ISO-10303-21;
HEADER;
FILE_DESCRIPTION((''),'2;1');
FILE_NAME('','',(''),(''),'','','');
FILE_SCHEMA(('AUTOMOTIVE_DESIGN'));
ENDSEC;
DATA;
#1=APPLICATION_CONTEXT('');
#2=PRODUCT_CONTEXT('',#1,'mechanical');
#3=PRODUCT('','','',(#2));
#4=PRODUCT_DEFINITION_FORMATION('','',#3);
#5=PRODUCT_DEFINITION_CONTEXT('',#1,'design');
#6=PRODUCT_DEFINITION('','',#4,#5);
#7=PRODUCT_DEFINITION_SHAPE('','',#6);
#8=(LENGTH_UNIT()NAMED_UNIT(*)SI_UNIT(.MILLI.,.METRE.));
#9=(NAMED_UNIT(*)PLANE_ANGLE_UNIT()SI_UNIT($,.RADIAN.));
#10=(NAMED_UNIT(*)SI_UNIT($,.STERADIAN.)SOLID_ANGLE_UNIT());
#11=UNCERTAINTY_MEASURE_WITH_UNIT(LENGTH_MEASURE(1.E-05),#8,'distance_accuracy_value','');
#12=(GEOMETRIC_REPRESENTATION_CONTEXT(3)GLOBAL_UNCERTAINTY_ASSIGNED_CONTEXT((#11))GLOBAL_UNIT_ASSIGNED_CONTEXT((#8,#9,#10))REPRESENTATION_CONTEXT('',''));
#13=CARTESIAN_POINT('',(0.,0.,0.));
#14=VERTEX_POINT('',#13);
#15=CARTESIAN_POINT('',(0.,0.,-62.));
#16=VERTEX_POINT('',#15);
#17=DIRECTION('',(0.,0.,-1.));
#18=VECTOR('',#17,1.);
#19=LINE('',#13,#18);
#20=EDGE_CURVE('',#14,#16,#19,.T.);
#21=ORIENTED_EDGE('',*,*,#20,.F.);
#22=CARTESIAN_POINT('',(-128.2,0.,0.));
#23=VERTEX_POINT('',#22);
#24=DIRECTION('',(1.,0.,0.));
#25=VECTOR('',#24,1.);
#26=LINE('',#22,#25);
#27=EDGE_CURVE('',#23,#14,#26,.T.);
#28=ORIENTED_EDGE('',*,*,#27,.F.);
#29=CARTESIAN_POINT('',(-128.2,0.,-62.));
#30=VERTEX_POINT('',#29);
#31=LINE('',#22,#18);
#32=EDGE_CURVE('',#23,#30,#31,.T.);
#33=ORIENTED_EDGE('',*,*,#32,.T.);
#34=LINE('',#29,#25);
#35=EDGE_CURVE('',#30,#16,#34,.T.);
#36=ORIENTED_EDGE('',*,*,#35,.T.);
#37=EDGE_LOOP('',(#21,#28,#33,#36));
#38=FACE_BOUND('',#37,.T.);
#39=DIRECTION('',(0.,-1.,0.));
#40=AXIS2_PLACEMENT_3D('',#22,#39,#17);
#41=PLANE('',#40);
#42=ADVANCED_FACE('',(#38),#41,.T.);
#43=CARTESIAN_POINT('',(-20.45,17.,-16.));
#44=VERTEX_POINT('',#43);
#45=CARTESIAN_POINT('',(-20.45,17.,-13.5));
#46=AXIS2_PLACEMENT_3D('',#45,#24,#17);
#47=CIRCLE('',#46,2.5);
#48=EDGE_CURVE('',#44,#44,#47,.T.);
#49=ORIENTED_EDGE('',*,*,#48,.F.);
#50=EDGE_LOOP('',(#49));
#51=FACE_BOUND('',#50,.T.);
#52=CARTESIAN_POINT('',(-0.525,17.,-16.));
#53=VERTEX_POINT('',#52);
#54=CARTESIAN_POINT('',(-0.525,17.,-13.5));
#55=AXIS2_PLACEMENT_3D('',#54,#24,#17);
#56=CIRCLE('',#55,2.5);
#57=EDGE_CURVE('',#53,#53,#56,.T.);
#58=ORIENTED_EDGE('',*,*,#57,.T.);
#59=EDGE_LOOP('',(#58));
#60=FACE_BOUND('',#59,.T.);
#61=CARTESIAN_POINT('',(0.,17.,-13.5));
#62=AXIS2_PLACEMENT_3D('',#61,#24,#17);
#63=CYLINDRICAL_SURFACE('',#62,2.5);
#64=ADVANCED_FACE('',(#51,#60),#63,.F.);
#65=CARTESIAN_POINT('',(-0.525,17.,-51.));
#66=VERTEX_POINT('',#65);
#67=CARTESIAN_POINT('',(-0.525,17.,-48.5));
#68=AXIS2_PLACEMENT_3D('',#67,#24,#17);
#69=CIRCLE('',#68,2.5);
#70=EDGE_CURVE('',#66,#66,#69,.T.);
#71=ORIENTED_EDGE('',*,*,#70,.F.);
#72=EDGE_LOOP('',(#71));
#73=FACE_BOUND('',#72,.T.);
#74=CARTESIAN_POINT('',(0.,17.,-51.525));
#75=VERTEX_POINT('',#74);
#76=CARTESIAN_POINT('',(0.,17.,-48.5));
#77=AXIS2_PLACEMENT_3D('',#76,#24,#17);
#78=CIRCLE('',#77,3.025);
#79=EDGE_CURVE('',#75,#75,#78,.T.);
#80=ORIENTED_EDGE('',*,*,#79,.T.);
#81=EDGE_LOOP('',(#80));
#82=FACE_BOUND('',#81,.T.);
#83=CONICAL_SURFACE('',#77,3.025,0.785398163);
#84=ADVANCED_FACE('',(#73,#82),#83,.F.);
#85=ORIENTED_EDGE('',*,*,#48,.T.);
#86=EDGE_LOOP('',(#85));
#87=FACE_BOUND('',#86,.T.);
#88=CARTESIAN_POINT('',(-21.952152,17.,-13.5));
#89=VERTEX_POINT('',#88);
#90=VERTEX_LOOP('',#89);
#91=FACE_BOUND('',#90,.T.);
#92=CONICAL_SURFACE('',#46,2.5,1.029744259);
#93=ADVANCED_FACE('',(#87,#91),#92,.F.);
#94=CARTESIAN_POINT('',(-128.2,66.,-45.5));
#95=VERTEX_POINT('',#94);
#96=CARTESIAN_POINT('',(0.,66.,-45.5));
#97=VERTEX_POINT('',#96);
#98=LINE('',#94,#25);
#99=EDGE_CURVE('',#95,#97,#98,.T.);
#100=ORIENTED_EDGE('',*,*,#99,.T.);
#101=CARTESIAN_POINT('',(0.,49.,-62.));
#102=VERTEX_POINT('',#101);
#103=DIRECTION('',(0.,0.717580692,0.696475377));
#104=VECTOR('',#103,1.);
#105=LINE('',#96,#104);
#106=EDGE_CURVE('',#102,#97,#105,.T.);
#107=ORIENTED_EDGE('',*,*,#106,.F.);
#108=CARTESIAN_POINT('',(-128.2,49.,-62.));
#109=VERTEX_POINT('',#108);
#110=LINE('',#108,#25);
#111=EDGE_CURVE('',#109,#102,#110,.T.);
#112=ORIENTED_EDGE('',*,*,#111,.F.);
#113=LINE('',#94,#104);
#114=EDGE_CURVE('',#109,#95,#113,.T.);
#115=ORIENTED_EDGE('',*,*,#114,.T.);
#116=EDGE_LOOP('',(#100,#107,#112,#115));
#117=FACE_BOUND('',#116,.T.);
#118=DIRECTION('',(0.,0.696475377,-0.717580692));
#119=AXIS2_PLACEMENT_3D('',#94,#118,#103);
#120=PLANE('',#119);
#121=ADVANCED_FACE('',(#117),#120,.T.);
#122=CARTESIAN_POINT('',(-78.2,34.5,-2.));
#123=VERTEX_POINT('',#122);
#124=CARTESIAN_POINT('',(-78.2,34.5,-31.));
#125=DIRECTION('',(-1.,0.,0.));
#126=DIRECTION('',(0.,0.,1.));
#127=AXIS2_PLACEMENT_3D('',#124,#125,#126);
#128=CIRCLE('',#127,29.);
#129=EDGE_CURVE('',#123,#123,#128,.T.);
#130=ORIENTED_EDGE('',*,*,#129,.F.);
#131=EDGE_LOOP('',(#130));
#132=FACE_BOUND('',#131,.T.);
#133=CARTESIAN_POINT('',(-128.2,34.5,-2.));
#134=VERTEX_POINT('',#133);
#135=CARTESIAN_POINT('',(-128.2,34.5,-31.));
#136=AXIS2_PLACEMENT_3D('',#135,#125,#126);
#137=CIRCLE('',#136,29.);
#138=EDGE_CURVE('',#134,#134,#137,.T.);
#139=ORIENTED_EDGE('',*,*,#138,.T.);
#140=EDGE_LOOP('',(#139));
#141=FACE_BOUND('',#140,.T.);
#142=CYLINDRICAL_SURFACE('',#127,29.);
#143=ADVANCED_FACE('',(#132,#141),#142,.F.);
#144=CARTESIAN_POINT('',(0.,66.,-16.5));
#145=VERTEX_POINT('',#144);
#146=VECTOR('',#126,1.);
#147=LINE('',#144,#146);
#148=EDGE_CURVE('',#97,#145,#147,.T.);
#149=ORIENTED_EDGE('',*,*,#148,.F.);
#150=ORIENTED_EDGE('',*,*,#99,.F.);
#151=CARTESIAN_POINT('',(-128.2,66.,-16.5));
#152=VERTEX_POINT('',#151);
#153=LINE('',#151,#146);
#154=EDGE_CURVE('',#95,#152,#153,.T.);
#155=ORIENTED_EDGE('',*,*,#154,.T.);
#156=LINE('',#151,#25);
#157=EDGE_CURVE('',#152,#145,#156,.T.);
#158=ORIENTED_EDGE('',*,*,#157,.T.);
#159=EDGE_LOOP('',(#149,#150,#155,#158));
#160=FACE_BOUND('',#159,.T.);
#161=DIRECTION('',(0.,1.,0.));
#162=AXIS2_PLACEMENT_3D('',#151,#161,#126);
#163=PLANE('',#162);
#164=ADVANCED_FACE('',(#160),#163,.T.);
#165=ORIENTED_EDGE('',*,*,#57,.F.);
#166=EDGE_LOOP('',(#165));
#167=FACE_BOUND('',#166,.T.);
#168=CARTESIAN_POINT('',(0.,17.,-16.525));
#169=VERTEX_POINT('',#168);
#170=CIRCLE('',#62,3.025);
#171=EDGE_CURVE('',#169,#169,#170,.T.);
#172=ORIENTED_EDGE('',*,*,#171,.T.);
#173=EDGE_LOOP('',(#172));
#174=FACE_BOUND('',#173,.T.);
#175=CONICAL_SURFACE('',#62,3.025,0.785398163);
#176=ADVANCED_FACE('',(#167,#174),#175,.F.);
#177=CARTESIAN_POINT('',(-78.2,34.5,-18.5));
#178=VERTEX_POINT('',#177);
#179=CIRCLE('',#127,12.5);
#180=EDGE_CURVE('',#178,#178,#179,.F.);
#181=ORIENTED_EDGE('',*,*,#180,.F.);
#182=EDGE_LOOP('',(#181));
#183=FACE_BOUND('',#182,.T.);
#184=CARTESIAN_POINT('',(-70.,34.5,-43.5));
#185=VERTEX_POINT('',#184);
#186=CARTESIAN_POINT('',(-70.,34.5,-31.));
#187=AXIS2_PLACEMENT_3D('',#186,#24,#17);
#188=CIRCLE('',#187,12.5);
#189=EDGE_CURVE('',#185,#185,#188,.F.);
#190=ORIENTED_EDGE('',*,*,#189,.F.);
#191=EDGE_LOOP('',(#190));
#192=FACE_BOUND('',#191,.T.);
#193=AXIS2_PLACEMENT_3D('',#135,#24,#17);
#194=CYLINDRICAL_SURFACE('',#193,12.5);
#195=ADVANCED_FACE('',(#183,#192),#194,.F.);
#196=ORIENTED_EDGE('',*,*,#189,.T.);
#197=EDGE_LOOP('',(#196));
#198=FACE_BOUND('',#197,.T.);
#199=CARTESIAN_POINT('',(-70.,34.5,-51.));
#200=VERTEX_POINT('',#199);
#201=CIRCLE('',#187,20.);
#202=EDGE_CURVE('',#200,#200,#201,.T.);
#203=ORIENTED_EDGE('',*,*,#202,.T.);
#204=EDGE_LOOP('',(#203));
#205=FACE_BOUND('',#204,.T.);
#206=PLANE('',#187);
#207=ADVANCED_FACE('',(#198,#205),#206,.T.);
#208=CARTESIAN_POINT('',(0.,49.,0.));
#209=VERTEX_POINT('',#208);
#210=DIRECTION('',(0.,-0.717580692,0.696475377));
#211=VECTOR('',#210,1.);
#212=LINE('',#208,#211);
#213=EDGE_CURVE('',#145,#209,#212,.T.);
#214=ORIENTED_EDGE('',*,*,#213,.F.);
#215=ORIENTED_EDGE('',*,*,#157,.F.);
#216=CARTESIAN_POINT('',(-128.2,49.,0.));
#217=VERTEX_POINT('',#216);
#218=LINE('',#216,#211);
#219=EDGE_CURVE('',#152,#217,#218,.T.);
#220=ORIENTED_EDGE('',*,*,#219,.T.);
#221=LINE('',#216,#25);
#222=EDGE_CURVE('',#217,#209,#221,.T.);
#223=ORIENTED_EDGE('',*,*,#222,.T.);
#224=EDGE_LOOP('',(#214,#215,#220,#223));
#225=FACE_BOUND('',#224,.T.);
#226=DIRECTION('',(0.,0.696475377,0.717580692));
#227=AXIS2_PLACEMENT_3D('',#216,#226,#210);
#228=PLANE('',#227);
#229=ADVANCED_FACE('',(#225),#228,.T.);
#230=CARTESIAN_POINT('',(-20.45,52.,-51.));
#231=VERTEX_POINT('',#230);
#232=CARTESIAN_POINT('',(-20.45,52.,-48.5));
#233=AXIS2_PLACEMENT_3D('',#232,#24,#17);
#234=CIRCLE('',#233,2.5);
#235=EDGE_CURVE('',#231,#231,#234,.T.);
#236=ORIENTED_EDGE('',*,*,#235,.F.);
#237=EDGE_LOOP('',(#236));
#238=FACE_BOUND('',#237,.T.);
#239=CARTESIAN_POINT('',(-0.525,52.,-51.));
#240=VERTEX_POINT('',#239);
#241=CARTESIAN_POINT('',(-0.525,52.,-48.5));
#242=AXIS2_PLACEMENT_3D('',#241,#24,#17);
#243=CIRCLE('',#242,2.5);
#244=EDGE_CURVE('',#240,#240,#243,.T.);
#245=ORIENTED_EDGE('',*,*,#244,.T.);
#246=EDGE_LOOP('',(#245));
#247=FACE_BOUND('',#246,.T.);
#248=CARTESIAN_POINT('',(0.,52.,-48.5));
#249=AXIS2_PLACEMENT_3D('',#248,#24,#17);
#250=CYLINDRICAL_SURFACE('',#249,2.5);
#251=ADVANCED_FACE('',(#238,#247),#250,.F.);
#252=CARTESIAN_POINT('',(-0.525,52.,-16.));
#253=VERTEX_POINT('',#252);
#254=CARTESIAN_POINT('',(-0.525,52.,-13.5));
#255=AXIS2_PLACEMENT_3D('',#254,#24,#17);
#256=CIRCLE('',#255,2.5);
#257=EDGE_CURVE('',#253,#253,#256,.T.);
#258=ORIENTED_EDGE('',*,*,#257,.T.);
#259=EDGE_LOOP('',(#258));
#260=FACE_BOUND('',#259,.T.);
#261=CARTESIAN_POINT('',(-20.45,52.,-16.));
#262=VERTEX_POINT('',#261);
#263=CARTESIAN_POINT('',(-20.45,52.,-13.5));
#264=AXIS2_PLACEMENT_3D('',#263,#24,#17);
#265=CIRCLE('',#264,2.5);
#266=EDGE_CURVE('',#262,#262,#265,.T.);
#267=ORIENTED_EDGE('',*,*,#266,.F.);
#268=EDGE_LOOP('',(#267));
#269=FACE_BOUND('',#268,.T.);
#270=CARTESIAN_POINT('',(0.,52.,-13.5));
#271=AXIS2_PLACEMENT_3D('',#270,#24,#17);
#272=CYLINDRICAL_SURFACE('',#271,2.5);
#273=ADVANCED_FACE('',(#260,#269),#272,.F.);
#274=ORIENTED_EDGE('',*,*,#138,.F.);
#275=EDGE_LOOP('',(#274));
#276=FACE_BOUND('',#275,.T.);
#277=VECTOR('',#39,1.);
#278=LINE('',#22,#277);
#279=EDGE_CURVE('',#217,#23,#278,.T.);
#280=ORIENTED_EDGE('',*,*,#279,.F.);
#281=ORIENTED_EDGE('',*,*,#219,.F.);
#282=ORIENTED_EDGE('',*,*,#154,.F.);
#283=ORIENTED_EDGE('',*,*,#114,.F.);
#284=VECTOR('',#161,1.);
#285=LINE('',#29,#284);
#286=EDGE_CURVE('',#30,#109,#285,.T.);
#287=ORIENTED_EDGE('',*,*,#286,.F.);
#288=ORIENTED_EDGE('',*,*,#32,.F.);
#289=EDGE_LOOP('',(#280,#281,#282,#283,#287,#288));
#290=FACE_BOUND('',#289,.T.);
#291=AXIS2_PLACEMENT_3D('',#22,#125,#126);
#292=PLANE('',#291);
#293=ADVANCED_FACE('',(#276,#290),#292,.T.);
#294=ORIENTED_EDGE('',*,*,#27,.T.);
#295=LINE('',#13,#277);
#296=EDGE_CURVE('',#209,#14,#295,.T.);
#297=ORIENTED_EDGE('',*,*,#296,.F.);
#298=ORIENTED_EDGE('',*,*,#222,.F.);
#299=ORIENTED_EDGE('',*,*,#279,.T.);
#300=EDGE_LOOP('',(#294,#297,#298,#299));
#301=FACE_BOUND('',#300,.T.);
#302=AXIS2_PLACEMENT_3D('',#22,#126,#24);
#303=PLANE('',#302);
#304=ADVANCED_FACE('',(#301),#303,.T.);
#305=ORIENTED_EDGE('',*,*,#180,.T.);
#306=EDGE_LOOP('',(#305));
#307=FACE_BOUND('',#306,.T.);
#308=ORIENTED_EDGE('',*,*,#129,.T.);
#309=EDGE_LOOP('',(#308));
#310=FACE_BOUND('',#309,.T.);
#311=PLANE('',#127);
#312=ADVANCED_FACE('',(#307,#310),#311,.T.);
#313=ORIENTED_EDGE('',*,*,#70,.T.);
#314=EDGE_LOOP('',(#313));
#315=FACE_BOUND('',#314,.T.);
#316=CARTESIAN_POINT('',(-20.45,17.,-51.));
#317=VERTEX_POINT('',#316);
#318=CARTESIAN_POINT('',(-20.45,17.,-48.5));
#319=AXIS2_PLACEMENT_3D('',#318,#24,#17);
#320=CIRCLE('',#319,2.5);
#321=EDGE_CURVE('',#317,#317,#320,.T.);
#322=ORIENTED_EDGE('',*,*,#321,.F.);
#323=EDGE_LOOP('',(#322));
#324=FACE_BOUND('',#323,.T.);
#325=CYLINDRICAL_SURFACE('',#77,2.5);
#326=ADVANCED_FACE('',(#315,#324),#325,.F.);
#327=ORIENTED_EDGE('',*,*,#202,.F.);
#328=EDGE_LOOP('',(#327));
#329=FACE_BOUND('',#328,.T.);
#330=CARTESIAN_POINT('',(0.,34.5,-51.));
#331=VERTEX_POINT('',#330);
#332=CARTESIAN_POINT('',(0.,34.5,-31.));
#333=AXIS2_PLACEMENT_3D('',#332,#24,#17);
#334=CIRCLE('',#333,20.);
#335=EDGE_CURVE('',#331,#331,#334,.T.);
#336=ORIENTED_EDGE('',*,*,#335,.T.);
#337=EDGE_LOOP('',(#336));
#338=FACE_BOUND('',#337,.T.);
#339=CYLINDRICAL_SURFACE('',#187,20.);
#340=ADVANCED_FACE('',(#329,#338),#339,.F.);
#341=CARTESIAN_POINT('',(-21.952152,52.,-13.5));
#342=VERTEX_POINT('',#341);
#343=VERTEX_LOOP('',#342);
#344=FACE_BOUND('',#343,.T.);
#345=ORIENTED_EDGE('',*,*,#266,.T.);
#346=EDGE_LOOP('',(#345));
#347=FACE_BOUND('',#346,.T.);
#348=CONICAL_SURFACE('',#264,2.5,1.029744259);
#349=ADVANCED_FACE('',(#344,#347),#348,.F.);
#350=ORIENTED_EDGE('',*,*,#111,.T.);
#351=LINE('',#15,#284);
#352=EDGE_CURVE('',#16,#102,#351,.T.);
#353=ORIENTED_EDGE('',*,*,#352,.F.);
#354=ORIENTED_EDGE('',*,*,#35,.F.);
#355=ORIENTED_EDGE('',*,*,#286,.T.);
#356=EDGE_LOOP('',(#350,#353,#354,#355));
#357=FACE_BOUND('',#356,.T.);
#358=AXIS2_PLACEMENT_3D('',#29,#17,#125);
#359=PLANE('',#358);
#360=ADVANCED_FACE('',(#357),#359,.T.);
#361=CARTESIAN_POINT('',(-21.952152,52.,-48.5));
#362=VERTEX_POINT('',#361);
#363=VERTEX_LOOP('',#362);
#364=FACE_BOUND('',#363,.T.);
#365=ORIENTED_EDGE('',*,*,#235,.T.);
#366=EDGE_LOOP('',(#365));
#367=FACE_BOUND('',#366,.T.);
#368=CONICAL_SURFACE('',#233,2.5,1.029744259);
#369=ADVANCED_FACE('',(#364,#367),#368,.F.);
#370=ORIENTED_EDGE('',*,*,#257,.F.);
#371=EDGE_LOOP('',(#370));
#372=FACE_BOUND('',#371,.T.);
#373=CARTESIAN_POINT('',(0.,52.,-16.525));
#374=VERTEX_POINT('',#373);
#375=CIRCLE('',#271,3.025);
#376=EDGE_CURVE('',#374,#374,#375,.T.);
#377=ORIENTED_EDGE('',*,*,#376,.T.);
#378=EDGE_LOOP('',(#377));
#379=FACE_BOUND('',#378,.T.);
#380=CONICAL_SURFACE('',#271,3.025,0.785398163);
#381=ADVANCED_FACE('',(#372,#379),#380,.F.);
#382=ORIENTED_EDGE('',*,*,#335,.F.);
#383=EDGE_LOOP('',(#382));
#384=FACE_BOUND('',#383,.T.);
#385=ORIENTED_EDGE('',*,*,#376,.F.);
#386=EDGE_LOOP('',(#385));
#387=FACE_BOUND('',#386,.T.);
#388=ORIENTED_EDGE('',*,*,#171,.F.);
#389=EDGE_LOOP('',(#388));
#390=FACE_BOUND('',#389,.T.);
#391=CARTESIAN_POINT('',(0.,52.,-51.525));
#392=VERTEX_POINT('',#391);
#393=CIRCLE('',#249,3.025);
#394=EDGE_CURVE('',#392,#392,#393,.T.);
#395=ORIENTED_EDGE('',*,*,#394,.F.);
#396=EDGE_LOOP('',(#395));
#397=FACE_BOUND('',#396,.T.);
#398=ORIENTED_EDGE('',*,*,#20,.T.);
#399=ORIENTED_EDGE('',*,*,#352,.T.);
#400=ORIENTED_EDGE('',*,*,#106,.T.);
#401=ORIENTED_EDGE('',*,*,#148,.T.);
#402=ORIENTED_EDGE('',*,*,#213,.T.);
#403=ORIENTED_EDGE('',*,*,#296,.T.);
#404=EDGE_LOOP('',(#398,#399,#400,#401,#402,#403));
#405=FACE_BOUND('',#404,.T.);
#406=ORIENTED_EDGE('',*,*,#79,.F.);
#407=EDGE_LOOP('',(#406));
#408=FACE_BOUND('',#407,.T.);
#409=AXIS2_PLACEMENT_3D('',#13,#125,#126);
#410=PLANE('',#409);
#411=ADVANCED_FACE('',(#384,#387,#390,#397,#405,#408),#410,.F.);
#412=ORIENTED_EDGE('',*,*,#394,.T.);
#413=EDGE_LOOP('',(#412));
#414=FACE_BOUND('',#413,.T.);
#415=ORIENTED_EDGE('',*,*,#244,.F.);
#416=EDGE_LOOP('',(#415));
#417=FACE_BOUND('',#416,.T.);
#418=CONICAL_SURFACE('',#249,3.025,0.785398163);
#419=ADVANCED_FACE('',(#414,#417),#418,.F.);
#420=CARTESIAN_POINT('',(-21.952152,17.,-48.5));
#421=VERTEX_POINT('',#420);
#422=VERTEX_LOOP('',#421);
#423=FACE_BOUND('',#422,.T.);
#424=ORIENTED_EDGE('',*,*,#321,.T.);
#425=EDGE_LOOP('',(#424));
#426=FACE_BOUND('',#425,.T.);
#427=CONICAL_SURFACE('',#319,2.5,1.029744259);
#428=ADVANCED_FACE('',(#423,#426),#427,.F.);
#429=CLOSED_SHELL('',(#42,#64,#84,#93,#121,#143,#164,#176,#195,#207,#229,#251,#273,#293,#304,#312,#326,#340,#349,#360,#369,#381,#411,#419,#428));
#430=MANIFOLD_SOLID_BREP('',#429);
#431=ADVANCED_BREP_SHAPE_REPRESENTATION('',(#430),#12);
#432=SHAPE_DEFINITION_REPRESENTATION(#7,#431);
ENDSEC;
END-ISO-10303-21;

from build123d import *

# Parameters (mm, degrees)
RESSALTO_EXTRUS_O1_DEPTH        = 128.2
FURO_ROSCADO_DE_M61_D           = 5
FURO_ROSCADO_DE_M61_DEPTH       = 20.45
FURO_ROSCADO_DE_M61_CSINK_D     = 6.05
FURO_ROSCADO_DE_M61_CSINK_ANGLE = 90
FURO_ROSCADO_DE_M61_TIP         = 1.502151548
ESBO_O4_R                       = 12.5
CORTE_EXTRUS_O1_DEPTH           = 157.956172227
ESBO_O5_R                       = 29
CORTE_EXTRUS_O2_DEPTH           = 50
ESBO_O6_R                       = 20
CORTE_EXTRUS_O3_DEPTH           = 70


with BuildPart() as part:
    # Esboço1 → Ressalto-extrusão1 (new body)
    with BuildSketch(Plane(origin=(0, 0, 0), x_dir=(0, 0, -1), z_dir=(1, 0, 0))):
        Polygon((0, 49), (16.5, 66), (45.5, 66), (62, 49), (62, 0), (0, 0), align=None)
    extrude(amount=-RESSALTO_EXTRUS_O1_DEPTH)

    # Furo roscado de M61
    with Locations(Plane(origin=(0, 0, 0), x_dir=(0, 0, -1), z_dir=(1, 0, 0))):
        with Locations((13.5, 52), (48.5, 52), (48.5, 17), (13.5, 17)):
            CounterSinkHole(FURO_ROSCADO_DE_M61_D / 2, FURO_ROSCADO_DE_M61_CSINK_D / 2, depth=FURO_ROSCADO_DE_M61_DEPTH, counter_sink_angle=FURO_ROSCADO_DE_M61_CSINK_ANGLE)
            with Locations((0, 0, -(FURO_ROSCADO_DE_M61_DEPTH + FURO_ROSCADO_DE_M61_TIP / 2))):  # 118° drill point
                Cone(0, FURO_ROSCADO_DE_M61_D / 2, FURO_ROSCADO_DE_M61_TIP, mode=Mode.SUBTRACT)

    # Esboço4 → Corte-extrusão1 (cut, through all)
    with BuildSketch(Plane(origin=(0, 0, 0), x_dir=(0, 0, -1), z_dir=(1, 0, 0))):
        with Locations((31, 34.5)):
            Circle(ESBO_O4_R)
    extrude(amount=-CORTE_EXTRUS_O1_DEPTH, mode=Mode.SUBTRACT)

    # Esboço5 → Corte-extrusão2 (cut)
    with BuildSketch(Plane.ZY.offset(128.2)):
        with Locations((-31, 34.5)):
            Circle(ESBO_O5_R)
    extrude(amount=-CORTE_EXTRUS_O2_DEPTH, mode=Mode.SUBTRACT)

    # Esboço6 → Corte-extrusão3 (cut)
    with BuildSketch(Plane(origin=(0, 0, 0), x_dir=(0, 0, -1), z_dir=(1, 0, 0))):
        with Locations((31, 34.5)):
            Circle(ESBO_O6_R)
    extrude(amount=-CORTE_EXTRUS_O3_DEPTH, mode=Mode.SUBTRACT)


solid = part.part
